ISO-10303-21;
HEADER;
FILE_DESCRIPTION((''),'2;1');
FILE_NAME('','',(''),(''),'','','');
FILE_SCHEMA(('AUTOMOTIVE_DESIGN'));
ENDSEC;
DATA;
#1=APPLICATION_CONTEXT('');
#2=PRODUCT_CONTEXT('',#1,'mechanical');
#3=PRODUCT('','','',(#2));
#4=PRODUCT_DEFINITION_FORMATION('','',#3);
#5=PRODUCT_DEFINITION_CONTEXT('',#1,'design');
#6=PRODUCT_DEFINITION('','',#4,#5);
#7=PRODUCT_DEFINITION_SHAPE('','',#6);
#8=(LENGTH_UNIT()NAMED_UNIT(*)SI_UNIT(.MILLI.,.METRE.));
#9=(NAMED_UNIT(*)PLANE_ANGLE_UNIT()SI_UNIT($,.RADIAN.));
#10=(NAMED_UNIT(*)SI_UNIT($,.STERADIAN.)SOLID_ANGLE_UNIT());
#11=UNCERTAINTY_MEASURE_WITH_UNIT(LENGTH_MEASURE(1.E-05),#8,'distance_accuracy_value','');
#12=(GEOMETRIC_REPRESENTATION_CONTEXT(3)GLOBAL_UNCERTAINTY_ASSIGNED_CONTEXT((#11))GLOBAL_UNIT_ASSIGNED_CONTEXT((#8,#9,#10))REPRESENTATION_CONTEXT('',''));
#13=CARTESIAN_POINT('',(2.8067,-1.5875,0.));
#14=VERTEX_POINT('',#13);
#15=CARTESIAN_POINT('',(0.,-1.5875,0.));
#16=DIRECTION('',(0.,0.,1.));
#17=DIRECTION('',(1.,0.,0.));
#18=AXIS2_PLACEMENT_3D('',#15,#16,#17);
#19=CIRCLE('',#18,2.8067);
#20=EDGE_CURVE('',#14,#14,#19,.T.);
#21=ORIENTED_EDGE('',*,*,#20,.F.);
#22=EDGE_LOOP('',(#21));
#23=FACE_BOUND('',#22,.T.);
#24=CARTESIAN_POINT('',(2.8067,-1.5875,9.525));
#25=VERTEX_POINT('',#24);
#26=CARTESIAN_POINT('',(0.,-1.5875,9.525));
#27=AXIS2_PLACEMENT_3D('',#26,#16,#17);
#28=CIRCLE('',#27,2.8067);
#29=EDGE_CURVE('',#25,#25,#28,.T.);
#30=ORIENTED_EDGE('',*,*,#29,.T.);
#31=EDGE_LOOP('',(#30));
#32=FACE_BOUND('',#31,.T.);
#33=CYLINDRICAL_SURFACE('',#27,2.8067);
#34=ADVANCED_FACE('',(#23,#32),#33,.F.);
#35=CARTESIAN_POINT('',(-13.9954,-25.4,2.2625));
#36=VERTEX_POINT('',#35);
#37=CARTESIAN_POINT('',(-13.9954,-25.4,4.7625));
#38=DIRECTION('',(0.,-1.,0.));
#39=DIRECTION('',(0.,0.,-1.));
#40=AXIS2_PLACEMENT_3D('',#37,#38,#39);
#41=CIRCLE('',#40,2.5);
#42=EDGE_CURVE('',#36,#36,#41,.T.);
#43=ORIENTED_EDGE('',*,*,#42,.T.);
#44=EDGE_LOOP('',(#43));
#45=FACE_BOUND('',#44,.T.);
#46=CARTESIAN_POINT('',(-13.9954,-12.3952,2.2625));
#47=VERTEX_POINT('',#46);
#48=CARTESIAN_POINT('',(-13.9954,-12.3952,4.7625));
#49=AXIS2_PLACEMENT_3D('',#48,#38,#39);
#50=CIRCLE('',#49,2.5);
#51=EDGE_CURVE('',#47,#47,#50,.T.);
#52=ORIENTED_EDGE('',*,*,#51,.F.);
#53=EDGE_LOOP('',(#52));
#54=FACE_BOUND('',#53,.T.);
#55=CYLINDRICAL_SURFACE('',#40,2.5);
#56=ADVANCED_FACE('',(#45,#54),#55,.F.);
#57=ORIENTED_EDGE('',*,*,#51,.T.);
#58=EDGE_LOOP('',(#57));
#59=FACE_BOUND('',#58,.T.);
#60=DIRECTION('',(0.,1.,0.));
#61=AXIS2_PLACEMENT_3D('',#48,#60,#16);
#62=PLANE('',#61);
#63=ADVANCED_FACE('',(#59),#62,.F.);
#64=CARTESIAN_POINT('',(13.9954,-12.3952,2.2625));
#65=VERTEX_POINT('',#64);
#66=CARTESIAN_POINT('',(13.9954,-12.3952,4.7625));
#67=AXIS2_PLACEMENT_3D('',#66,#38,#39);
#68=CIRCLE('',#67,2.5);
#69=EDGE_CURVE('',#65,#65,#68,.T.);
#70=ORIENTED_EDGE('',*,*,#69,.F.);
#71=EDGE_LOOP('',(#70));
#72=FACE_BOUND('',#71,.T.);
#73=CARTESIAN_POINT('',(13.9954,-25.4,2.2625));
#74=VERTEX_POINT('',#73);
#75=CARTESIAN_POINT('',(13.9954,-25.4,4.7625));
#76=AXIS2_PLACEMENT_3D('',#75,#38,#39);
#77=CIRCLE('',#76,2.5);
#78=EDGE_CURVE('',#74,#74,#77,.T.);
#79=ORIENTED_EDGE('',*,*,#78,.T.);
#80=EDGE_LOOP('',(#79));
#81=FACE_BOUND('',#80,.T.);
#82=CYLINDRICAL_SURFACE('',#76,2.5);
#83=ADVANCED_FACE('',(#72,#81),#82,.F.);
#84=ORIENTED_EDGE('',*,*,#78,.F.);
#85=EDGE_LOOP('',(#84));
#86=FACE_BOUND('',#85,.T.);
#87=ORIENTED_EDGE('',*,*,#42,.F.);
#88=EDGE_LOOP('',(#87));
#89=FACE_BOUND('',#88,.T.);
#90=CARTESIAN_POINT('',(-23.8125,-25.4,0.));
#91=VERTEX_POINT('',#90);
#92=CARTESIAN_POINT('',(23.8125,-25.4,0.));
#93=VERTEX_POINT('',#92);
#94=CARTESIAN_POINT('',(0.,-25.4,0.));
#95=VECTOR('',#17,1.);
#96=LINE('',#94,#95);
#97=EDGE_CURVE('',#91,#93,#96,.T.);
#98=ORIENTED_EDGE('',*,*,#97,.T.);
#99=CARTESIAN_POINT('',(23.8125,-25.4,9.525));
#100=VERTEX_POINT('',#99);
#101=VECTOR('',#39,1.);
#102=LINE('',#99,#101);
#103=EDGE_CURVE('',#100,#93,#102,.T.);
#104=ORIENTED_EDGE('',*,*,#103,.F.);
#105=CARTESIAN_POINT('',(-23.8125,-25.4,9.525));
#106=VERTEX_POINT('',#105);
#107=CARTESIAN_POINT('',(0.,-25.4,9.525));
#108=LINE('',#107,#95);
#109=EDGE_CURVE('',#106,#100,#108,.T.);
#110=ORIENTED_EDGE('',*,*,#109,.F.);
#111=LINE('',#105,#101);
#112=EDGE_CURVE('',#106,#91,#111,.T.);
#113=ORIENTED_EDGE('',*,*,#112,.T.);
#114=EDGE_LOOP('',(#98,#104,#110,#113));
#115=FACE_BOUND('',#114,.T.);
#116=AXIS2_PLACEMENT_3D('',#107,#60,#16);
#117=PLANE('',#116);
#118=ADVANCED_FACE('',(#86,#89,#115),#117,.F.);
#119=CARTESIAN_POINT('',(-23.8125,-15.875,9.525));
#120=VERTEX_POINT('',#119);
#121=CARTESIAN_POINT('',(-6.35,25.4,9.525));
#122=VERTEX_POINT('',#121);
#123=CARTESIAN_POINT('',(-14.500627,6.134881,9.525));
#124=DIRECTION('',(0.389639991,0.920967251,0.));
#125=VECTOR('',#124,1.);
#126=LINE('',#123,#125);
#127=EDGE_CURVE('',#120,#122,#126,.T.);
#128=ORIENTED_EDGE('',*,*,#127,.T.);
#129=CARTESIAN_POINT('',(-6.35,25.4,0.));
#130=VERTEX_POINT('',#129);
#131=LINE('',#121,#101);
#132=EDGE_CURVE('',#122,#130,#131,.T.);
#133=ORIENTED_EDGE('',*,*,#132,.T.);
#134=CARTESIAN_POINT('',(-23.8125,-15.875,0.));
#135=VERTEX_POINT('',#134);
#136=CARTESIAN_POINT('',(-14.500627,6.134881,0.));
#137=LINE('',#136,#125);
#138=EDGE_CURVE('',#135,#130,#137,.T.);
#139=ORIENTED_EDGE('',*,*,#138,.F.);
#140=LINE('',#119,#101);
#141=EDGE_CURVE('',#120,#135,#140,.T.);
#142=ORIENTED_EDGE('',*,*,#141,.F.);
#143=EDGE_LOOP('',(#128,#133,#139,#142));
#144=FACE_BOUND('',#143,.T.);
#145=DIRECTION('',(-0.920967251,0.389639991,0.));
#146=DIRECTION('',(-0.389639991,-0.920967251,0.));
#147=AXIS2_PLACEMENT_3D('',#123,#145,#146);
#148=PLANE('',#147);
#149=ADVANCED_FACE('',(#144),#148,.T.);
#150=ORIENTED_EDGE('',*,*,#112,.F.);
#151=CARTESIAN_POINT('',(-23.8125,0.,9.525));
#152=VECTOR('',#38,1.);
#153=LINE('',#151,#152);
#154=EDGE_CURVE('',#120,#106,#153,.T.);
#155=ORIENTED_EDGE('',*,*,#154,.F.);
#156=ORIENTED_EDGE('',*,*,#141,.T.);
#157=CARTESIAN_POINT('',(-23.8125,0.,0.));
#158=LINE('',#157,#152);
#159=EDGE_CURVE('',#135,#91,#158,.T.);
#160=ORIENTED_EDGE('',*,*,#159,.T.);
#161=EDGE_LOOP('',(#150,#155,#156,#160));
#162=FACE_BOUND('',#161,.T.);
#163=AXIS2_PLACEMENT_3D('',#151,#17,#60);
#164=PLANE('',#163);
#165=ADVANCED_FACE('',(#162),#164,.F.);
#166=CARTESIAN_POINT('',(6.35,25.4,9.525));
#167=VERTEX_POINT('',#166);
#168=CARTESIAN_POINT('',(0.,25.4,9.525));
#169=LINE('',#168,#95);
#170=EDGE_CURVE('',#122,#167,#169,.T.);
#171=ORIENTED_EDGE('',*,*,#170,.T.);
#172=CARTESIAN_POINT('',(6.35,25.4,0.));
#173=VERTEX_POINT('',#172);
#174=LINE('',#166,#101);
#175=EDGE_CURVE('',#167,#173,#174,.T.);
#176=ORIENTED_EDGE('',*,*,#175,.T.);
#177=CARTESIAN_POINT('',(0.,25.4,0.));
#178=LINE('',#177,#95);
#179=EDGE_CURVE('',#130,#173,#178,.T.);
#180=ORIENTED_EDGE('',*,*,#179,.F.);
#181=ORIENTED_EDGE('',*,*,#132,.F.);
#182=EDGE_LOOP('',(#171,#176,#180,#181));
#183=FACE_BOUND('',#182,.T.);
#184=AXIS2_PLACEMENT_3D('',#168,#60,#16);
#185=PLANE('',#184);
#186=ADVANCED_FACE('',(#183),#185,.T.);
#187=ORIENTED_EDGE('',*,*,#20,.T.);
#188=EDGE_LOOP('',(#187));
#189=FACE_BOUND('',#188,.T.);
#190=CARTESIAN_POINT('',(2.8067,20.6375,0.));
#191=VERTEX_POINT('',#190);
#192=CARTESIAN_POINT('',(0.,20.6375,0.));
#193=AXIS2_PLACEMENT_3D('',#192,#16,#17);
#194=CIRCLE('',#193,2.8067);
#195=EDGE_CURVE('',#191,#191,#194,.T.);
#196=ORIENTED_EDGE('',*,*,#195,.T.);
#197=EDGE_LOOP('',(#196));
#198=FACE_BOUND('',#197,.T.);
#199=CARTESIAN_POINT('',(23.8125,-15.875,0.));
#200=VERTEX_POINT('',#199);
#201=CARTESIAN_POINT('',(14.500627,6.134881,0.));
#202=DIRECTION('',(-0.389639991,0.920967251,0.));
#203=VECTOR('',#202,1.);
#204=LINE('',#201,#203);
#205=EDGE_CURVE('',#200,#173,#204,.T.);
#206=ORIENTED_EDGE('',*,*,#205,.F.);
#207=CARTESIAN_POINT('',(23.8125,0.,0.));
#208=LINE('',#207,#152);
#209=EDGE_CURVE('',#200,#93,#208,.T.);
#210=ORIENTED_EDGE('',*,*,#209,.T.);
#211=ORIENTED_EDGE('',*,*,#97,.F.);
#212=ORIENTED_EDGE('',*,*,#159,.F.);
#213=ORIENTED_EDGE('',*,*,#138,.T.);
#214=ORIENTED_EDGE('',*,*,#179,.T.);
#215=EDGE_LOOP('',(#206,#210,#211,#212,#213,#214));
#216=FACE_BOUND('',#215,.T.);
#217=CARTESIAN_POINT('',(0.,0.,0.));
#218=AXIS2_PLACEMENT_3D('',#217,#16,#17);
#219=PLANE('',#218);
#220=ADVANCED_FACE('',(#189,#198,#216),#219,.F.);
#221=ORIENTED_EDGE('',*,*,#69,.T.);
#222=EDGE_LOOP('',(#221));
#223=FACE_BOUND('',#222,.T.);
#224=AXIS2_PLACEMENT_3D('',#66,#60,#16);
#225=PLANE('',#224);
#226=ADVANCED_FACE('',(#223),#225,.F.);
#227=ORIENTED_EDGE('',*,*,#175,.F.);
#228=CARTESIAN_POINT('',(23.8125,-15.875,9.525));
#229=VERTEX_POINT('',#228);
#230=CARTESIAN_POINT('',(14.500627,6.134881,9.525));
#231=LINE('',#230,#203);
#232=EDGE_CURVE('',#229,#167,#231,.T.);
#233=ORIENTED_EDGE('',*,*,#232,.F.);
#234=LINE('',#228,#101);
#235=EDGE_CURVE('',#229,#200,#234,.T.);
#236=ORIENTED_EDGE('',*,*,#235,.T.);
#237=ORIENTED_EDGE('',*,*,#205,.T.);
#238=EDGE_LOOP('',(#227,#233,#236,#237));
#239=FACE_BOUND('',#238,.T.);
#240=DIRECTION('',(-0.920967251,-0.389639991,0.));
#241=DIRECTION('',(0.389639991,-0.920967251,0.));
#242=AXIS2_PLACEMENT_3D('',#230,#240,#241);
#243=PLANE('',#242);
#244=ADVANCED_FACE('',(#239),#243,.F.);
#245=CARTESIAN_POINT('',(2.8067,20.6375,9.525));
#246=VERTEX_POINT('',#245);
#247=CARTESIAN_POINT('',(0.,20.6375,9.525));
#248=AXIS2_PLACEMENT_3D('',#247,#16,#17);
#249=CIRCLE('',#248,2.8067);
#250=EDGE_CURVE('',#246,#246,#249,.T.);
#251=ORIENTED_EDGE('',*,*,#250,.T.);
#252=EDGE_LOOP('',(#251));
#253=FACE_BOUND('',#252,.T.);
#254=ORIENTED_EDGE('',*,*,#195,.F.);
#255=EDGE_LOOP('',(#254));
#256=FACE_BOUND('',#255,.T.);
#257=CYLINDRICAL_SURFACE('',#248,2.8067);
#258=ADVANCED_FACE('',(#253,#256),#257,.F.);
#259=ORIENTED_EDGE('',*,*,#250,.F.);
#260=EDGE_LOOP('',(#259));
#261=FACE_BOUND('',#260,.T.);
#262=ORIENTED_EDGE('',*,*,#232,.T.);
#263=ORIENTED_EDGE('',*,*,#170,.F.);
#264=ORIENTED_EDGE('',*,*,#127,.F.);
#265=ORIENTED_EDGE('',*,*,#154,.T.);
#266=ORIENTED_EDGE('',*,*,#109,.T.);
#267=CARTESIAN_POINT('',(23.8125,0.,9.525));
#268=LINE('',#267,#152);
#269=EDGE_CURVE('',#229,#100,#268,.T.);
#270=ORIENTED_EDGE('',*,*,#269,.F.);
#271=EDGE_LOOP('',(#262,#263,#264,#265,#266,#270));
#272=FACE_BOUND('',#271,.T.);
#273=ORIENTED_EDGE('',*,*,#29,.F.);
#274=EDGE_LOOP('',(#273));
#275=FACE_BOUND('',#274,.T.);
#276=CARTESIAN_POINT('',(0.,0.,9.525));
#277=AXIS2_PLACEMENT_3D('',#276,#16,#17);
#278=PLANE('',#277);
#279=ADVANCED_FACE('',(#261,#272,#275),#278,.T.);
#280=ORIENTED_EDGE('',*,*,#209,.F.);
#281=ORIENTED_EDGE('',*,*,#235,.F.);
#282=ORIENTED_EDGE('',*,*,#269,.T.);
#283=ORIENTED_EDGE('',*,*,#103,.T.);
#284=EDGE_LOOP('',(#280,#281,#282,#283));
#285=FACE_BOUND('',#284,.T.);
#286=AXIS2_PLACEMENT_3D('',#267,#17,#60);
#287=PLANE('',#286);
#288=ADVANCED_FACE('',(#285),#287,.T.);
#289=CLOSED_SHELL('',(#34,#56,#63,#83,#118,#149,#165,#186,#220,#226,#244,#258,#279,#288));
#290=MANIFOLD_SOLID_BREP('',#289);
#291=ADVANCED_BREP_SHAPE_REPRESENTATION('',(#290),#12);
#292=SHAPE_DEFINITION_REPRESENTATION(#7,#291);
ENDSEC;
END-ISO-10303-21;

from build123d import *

# Parameters (mm, degrees)
BOSS_EXTRUDE1_DEPTH       = 9.525
F_10_CLEARANCE_HOLE1_D    = 5.6134
M6X1_0_TAPPED_HOLE1_D     = 5
M6X1_0_TAPPED_HOLE1_DEPTH = 13.0048


with BuildPart() as part:
    # Sketch1 → Boss-Extrude1 (new body)
    with BuildSketch(Plane.XY):
        Polygon((23.8125, -25.4), (23.8125, -15.875), (6.35, 25.4), (-6.35, 25.4), (-23.8125, -15.875), (-23.8125, -25.4), align=None)
    extrude(amount=BOSS_EXTRUDE1_DEPTH)

    # #10 Clearance Hole1 (through all)
    with Locations(Plane.XY.offset(9.525)):
        with Locations((0, 20.6375), (0, -1.5875)):
            Hole(F_10_CLEARANCE_HOLE1_D / 2)

    # M6x1.0 Tapped Hole1
    with Locations(Plane(origin=(0, -25.4, 0), x_dir=(-1, 0, 0), z_dir=(0, -1, 0))):
        with Locations((13.9954, -4.7625), (-13.9954, -4.7625)):
            Hole(M6X1_0_TAPPED_HOLE1_D / 2, depth=M6X1_0_TAPPED_HOLE1_DEPTH)


solid = part.part
